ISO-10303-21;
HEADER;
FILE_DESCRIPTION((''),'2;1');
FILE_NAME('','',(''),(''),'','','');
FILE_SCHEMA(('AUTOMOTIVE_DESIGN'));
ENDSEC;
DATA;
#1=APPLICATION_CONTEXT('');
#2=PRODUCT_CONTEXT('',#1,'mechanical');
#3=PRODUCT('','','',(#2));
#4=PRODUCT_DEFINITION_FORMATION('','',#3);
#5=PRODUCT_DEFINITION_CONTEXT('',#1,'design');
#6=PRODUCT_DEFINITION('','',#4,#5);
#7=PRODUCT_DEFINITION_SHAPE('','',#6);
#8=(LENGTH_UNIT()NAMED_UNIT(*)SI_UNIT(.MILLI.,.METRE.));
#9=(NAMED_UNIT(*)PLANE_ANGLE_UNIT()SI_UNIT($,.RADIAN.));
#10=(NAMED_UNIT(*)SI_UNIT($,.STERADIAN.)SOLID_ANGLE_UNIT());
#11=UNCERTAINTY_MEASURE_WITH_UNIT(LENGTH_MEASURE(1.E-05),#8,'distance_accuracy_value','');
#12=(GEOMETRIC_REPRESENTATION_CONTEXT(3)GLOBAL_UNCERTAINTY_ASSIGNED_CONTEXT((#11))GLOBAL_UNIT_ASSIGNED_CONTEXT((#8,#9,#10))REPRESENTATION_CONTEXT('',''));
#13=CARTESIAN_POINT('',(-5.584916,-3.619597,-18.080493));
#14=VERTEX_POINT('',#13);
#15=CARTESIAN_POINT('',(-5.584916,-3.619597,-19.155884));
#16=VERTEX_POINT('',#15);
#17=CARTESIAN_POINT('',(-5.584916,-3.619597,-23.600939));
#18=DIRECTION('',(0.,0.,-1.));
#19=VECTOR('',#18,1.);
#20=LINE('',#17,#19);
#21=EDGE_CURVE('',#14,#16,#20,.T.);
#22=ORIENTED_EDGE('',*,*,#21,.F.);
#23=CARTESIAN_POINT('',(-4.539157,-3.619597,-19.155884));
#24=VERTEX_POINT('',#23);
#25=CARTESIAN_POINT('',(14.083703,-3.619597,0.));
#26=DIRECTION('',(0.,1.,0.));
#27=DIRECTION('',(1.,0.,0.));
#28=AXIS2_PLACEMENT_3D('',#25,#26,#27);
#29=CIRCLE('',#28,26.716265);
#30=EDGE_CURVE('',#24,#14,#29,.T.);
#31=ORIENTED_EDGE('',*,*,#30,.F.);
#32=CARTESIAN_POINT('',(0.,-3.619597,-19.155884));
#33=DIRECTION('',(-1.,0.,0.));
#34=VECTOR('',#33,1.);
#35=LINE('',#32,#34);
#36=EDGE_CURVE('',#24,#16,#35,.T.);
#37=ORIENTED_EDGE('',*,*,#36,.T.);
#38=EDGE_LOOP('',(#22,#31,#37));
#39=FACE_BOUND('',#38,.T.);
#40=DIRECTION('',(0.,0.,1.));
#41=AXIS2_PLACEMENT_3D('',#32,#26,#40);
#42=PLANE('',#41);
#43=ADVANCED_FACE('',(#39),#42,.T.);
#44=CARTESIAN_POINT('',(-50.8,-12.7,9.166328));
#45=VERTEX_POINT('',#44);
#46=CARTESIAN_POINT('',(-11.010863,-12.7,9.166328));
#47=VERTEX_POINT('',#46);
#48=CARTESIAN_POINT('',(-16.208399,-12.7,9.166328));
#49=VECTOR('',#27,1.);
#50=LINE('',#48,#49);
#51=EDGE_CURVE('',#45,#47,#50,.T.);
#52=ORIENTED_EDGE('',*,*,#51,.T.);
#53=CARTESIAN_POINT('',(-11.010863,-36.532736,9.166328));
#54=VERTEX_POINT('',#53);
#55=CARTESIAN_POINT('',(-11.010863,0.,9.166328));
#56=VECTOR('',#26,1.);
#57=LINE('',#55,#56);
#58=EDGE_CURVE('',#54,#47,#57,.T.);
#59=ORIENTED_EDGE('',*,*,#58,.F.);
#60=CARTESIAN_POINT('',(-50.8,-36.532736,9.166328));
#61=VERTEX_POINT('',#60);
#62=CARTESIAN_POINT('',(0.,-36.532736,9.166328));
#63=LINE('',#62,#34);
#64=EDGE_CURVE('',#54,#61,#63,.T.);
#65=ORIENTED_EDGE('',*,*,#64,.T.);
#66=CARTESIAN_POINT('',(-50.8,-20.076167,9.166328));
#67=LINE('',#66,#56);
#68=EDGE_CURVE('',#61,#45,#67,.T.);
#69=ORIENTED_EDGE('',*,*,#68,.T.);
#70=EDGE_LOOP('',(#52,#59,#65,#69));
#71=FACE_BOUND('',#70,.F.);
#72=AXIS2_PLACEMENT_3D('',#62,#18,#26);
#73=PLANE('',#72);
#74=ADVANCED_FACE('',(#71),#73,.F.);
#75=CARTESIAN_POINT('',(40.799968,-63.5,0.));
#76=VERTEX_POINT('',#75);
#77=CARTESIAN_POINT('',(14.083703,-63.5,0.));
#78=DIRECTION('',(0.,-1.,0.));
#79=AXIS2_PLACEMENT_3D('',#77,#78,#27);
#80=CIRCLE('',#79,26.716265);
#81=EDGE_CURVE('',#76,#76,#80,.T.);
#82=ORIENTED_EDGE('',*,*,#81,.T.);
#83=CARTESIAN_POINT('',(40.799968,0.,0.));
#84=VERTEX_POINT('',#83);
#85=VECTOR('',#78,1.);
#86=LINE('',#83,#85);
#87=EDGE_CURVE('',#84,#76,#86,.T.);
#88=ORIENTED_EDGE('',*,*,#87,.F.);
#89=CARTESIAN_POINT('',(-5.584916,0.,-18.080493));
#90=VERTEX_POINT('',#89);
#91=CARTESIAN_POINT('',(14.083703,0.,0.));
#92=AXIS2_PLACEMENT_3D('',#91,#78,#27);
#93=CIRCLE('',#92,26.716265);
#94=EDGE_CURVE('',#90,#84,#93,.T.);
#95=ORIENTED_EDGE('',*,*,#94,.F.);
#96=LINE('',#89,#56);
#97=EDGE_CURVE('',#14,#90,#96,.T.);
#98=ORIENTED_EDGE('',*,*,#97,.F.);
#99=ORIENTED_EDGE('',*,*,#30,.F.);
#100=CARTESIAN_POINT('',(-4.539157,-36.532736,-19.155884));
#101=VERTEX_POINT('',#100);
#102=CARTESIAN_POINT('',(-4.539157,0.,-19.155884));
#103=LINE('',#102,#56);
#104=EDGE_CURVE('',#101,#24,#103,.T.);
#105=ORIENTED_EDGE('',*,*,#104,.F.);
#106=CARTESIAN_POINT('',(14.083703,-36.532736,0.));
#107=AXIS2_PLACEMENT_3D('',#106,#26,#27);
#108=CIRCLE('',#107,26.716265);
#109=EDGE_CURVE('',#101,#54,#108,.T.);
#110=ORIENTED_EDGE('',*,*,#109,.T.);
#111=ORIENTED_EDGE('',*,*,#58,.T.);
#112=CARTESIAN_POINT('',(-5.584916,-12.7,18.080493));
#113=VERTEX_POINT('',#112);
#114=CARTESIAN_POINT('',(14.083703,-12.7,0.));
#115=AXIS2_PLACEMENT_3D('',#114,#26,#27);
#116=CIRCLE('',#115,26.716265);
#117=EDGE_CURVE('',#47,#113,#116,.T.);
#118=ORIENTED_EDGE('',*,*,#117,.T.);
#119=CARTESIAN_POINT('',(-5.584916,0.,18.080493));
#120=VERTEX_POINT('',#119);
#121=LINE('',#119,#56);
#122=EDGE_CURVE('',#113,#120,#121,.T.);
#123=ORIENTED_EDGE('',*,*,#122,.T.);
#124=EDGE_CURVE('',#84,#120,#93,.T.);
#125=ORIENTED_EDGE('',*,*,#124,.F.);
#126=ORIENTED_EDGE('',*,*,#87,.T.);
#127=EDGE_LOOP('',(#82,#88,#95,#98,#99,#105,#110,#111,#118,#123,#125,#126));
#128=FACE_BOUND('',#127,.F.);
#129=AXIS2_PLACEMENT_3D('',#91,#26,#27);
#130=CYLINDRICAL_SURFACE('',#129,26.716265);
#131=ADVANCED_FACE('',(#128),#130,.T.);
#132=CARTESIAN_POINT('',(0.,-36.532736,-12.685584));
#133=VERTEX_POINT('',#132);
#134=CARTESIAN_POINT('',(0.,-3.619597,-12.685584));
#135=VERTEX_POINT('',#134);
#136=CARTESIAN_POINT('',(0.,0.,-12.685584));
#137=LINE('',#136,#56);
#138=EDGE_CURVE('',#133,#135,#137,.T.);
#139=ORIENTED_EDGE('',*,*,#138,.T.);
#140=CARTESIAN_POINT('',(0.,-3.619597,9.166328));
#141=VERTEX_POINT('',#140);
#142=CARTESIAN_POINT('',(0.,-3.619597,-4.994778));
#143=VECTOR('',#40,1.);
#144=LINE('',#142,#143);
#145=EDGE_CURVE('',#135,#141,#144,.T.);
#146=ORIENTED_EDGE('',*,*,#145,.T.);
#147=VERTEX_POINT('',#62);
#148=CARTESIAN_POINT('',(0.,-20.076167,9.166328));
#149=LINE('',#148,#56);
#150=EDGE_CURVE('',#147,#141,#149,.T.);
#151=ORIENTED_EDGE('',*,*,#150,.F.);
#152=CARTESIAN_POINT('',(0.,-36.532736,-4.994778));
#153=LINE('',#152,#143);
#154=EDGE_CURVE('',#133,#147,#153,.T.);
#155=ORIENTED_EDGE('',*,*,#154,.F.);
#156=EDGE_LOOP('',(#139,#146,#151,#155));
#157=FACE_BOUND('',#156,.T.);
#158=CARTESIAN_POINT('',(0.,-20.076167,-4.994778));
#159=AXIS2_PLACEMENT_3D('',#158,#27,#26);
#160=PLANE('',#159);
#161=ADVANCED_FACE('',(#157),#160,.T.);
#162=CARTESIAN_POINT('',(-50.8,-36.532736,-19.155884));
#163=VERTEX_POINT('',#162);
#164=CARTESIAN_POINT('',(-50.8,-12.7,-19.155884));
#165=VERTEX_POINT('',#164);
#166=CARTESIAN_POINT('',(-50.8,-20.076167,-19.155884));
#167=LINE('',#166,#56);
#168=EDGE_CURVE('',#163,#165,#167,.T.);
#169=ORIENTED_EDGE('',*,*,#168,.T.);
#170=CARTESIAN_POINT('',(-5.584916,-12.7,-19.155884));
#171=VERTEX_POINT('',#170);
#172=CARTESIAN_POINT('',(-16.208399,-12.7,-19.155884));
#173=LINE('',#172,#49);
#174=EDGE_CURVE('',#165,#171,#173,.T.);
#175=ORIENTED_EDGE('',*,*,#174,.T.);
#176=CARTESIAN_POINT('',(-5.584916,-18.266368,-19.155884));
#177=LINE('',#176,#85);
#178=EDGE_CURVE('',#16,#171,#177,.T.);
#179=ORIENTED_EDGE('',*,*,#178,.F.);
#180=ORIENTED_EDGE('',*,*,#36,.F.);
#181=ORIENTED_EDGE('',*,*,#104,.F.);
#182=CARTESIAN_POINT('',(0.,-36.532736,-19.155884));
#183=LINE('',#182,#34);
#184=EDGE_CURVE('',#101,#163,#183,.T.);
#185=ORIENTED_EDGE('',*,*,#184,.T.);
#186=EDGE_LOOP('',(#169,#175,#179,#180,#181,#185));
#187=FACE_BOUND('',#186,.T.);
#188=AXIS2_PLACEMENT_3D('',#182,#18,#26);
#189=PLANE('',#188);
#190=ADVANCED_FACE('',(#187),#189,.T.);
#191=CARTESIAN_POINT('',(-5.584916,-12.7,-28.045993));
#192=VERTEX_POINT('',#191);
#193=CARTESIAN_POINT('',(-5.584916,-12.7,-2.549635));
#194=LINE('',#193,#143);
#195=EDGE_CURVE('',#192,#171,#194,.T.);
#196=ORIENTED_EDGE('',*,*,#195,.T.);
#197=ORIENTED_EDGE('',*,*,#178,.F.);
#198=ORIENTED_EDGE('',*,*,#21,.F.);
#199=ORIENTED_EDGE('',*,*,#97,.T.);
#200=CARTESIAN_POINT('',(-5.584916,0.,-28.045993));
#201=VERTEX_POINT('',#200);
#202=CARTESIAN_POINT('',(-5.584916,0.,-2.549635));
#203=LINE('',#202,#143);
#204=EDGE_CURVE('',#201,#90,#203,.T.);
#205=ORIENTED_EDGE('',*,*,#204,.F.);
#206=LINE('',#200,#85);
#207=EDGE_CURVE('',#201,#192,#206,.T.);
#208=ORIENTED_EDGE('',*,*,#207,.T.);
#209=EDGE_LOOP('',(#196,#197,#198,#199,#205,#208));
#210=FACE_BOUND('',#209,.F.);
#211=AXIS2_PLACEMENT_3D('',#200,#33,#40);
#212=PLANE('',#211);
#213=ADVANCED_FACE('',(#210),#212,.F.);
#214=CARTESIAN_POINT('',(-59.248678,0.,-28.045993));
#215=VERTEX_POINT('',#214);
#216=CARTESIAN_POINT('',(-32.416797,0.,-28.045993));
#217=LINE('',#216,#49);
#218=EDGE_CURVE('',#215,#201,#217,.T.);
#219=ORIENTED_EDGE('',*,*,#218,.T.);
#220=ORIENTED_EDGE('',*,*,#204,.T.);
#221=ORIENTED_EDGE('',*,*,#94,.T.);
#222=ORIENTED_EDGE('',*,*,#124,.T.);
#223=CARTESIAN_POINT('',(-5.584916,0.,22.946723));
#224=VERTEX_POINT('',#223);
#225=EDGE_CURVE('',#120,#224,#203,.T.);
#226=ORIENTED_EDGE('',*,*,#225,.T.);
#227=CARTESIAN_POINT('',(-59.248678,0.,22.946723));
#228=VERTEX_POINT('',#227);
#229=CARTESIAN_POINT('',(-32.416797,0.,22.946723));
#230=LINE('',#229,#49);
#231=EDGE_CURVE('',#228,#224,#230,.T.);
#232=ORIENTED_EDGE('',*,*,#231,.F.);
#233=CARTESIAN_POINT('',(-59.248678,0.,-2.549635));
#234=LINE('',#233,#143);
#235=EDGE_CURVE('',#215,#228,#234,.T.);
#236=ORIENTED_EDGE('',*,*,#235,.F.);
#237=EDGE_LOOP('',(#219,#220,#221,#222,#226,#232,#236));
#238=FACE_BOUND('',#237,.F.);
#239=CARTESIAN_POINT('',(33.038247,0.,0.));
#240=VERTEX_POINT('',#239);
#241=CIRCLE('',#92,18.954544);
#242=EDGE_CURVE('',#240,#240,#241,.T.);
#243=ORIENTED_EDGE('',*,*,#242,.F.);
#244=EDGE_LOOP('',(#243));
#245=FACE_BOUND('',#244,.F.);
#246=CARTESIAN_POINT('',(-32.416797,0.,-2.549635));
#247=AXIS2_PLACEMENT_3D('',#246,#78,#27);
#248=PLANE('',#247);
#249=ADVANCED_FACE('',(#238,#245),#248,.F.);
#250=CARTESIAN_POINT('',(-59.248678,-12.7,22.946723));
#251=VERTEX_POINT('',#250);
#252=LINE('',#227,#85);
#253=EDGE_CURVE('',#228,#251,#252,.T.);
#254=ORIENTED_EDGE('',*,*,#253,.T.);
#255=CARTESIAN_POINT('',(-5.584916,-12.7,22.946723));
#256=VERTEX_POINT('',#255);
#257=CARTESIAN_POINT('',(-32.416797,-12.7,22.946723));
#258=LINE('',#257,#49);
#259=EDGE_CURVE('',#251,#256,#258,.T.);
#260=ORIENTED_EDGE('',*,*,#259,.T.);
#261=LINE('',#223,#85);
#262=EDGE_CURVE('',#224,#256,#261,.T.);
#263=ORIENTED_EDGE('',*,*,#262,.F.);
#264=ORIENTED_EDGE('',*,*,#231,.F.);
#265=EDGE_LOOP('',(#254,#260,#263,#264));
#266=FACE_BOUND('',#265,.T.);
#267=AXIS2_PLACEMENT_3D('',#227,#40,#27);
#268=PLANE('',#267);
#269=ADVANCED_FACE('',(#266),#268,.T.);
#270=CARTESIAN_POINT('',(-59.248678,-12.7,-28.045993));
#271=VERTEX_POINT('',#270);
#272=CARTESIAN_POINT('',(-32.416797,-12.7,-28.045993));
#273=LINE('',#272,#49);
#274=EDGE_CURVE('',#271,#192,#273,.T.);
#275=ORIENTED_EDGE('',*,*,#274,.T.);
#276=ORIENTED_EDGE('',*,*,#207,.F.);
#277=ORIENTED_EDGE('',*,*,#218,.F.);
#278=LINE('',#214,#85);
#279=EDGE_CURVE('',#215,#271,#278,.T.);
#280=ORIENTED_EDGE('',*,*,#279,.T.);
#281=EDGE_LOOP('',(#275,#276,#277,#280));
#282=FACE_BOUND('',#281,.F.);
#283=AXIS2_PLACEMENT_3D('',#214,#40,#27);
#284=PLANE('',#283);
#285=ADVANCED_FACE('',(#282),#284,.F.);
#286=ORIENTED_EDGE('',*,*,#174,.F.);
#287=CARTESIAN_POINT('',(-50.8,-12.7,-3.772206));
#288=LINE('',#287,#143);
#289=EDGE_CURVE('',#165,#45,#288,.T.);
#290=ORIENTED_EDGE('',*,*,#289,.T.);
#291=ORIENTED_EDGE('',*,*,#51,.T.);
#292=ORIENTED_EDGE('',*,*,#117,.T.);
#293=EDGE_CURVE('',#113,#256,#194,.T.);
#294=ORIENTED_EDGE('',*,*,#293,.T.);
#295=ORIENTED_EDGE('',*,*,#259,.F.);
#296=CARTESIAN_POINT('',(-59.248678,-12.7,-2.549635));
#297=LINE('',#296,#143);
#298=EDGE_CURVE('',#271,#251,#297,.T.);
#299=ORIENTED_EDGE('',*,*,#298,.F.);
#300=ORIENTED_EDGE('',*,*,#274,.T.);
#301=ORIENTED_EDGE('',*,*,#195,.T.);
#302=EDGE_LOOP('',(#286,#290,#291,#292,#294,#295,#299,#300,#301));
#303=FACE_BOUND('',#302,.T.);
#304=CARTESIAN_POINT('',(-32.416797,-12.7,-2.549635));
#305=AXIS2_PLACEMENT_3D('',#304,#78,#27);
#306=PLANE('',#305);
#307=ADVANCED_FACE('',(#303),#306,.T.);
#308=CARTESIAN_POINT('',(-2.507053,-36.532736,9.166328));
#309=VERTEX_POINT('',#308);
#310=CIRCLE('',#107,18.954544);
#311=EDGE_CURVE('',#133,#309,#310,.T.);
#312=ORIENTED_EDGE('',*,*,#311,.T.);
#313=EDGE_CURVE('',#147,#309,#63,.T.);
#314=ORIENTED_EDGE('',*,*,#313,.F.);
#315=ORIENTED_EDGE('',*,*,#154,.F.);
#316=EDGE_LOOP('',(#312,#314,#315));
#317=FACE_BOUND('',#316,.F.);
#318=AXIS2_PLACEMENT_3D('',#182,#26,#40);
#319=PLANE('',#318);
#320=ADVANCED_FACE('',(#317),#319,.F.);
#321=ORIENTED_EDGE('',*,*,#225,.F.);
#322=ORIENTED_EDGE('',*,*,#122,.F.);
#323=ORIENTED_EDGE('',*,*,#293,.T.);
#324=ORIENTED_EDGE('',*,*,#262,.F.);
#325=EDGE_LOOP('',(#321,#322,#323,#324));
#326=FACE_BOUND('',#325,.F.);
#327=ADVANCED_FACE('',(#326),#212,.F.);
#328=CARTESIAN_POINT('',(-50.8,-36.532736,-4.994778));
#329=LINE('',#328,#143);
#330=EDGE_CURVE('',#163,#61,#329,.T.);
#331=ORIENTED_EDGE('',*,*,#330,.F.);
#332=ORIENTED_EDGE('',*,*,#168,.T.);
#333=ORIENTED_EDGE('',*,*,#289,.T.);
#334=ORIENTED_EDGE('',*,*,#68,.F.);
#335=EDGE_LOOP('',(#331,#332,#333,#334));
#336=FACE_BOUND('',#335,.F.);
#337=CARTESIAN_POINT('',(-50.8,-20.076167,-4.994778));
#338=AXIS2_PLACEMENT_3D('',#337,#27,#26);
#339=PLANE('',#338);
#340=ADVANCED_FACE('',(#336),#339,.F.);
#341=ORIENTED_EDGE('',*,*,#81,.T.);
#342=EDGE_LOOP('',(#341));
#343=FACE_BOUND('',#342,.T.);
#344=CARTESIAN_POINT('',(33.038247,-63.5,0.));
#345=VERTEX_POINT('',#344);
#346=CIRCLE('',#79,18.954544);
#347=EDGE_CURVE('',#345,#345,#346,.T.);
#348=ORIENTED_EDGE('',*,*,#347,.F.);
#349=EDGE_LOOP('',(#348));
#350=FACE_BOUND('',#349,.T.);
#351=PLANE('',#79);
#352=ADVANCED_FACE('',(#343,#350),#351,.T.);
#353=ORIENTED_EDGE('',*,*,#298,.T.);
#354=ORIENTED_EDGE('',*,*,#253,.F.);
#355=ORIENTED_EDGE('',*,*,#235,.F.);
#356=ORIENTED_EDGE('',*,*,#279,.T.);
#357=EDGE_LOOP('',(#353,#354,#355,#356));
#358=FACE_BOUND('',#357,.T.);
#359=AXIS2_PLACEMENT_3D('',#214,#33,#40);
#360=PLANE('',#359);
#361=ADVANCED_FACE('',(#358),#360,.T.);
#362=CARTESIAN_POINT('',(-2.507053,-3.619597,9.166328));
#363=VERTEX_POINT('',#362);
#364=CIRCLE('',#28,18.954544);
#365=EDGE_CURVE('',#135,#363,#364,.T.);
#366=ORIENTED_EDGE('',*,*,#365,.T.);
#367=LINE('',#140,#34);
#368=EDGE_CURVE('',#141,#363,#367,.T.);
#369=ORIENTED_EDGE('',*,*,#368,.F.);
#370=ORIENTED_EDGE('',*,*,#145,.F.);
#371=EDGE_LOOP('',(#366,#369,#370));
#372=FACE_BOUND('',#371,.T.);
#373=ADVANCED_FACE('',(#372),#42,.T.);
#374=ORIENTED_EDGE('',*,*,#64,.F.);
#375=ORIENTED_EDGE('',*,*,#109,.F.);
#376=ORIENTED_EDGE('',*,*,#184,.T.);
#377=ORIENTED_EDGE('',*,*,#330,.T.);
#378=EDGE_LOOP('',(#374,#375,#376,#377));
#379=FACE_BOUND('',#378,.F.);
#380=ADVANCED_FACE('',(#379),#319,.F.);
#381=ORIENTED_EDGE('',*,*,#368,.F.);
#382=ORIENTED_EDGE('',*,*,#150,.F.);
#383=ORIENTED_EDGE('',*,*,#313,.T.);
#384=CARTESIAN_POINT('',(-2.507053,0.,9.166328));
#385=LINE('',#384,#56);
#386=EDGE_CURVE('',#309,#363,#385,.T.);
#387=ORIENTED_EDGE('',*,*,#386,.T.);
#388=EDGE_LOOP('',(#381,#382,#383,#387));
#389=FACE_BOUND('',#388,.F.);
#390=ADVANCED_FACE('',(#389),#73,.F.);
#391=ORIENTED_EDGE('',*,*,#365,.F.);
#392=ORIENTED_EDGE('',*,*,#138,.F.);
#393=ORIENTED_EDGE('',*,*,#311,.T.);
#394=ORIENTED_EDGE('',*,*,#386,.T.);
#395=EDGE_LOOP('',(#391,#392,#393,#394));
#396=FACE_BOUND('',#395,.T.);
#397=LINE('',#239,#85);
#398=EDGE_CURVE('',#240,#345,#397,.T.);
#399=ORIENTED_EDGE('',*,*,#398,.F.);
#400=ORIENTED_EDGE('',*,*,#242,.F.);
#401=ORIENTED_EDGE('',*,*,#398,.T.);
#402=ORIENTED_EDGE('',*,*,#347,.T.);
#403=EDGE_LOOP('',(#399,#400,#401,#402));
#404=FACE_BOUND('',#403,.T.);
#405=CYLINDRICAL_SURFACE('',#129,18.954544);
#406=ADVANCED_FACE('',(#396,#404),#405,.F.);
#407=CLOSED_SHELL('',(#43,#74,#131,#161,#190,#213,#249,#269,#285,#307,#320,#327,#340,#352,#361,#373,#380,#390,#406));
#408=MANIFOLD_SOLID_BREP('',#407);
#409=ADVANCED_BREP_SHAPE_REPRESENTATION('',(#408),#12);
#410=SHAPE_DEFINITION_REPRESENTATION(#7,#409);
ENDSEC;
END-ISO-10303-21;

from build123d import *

# Parameters (mm, degrees)
F1_R     = 26.716265
F1_R_2   = 18.954544
F2_DEPTH = 63.5
F0_W     = 53.663762
F0_H     = 50.992716
F3_DEPTH = 12.7
F4_W     = 32.913139
F4_H     = 28.322212
F5_DEPTH = 50.8


with BuildPart() as f2:
    # F1 (on Front) → F2 (new body)
    with BuildSketch(Plane.XZ):
        with Locations((14.083703, 0)):
            Circle(F1_R)
        with Locations((14.083703, 0)):
            Circle(F1_R_2, mode=Mode.SUBTRACT)
    extrude(amount=F2_DEPTH)

    # F0 (on Front) → F3 (join)
    with BuildSketch(Plane.XZ):
        with Locations((-32.416797, -2.549635)):
            Rectangle(F0_W, F0_H)
    extrude(amount=F3_DEPTH)

    # F4 (on Right) → F5 (join)
    with BuildSketch(Plane.YZ):
        with Locations((-20.076167, -4.994778)):
            Rectangle(F4_W, F4_H)
    extrude(amount=-F5_DEPTH)


solid = f2.part
